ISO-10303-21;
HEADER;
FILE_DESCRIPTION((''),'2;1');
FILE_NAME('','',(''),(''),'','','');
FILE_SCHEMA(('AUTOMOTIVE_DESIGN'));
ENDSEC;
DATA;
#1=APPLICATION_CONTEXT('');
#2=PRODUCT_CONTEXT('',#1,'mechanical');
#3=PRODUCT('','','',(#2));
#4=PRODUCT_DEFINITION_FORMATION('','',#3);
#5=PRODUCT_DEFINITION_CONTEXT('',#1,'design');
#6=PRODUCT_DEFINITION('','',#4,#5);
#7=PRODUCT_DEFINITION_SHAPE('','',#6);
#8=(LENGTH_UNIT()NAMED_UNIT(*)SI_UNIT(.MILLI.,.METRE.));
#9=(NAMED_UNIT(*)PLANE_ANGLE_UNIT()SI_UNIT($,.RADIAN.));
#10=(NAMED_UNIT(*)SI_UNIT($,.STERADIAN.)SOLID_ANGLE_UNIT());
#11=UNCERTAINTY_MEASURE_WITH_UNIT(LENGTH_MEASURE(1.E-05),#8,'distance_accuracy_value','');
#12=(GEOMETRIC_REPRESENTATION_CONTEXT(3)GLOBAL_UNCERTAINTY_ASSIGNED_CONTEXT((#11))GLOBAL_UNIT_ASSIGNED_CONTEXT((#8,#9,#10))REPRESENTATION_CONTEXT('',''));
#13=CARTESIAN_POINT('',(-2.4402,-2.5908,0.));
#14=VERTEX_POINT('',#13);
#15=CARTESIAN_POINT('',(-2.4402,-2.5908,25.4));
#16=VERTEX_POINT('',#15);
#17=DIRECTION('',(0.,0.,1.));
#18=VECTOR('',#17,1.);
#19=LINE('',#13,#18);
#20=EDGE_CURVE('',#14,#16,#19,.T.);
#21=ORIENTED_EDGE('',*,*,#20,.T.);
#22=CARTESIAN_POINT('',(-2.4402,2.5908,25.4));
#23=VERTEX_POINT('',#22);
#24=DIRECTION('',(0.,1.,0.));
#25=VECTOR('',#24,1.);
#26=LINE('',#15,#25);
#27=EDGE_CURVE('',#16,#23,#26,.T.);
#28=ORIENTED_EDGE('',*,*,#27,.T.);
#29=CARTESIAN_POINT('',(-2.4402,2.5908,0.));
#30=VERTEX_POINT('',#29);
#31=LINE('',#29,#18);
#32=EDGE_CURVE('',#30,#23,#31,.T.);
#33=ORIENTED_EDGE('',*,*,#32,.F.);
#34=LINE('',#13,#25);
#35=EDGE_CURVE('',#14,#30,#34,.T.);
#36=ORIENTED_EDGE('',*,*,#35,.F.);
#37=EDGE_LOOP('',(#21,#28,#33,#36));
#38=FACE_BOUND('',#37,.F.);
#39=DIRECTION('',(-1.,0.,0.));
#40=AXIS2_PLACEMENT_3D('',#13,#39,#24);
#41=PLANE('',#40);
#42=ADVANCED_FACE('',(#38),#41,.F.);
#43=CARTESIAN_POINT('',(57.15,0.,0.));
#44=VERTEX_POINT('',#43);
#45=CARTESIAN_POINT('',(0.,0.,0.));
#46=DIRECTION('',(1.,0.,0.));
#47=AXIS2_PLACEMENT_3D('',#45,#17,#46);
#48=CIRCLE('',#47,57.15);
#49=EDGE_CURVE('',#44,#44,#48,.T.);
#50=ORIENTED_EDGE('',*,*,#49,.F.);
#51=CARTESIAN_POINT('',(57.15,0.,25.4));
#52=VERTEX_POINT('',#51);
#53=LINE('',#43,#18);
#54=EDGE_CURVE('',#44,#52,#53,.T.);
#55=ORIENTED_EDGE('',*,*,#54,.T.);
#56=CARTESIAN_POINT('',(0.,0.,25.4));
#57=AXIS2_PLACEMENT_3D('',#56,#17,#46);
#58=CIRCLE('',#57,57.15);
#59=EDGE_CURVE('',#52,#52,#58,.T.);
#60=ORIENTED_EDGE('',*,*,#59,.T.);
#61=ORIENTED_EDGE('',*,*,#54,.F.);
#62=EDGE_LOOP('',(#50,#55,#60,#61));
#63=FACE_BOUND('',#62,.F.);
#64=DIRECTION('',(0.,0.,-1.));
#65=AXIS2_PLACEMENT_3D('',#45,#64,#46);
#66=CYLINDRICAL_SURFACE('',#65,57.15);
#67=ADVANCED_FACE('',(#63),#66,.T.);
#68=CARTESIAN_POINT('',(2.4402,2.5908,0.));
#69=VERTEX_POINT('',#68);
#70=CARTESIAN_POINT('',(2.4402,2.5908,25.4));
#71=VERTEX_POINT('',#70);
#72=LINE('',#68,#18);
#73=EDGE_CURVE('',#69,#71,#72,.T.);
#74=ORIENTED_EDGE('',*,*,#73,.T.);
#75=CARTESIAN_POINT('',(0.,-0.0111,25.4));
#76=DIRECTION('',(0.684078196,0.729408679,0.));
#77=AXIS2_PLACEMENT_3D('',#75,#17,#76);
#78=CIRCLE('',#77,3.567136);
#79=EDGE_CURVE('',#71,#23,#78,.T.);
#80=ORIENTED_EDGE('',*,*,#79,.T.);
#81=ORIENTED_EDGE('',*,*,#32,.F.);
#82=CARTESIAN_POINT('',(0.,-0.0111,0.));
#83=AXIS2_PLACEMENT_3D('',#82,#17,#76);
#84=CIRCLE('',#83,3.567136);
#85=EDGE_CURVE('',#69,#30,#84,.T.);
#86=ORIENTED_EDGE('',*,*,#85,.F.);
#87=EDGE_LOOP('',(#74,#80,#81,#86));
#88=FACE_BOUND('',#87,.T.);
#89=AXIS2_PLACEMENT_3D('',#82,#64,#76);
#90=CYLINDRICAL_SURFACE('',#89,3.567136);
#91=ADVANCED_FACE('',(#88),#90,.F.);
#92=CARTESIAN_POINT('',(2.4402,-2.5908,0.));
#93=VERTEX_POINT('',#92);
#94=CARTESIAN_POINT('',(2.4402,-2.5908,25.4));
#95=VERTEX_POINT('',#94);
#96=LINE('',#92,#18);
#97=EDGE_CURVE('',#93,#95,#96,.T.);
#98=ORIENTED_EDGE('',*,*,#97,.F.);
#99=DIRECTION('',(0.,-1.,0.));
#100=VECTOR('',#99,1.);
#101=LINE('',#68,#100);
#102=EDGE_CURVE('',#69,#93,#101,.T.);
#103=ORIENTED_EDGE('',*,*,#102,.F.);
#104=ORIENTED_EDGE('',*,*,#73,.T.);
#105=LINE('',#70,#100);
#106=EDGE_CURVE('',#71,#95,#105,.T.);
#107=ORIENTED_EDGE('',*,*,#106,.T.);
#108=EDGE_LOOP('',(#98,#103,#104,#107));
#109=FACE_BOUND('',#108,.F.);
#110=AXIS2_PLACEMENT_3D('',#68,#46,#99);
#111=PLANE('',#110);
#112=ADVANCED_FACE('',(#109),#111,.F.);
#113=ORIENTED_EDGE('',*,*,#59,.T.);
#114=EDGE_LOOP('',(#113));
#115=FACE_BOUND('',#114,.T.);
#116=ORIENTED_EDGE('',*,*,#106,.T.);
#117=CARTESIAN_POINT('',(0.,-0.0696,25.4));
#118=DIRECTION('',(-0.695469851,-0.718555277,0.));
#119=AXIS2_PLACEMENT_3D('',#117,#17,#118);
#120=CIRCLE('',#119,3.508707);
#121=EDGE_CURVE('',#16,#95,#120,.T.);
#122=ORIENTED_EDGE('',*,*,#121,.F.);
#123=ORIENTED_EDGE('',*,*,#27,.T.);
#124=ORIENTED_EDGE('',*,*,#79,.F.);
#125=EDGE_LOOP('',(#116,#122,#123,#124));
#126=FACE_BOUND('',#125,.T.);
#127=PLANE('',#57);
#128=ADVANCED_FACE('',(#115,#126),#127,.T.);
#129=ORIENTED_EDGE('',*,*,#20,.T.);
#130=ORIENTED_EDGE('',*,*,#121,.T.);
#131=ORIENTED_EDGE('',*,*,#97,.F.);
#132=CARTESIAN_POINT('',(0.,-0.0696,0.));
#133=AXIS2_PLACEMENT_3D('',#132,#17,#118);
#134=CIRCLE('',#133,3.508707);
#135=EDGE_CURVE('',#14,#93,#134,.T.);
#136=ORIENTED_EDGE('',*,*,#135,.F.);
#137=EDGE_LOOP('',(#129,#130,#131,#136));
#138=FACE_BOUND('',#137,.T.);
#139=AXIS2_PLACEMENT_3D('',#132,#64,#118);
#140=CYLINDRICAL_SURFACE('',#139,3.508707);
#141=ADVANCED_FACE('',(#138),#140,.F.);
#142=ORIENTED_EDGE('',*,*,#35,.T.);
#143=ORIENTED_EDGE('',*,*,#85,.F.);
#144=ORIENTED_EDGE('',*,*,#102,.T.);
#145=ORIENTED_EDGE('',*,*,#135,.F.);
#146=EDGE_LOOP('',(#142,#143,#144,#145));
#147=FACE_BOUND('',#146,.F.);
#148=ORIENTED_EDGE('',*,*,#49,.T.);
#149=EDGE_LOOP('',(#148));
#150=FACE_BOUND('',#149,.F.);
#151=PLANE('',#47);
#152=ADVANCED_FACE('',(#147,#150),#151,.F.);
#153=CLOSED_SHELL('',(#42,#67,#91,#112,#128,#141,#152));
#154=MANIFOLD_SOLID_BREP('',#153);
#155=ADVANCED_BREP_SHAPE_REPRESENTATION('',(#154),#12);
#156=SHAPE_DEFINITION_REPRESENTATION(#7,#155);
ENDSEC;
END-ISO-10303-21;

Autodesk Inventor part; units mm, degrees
ref_plane "YZ Plane" through (0, 0, 0) normal (1, 0, 0) x (0, 1, 0)
ref_plane "XZ Plane" through (0, 0, 0) normal (0, 1, 0) x (-1, 0, 0)
ref_plane "XY Plane" through (0, 0, 0) normal (0, 0, 1) x (1, 0, 0)
sketch "Sketch1" plane through (0, 0, 0) normal (0, 0, 1) x (1, 0, 0)
  circle A0 centre (0, 0) radius 57.15
  line L0 (2.4402, 2.5908) -> (2.4402, -2.5908)
  line L1 (-2.4402, -2.5908) -> (-2.4402, 2.5908)
  line L2 (-2.4402, 2.5908) -> (2.4402, -2.5908) construction
  line L3 (2.4402, 2.5908) -> (-2.4402, -2.5908) construction
  arc A1 (2.4402, 2.5908) -> (-2.4402, 2.5908) centre (0, -0.0111) ccw
  arc A2 (-2.4402, -2.5908) -> (2.4402, -2.5908) centre (0, -0.0696) ccw
  dimension "d0" = 114.3
  dimension "d1" = 5.1816
  dimension "d2" = 4.8803
  dimension "d5" = 3.5671
extrude "Extrusion2" add sketch "Sketch1" along normal blind 25.4
properties part number "lazy susan platform"
